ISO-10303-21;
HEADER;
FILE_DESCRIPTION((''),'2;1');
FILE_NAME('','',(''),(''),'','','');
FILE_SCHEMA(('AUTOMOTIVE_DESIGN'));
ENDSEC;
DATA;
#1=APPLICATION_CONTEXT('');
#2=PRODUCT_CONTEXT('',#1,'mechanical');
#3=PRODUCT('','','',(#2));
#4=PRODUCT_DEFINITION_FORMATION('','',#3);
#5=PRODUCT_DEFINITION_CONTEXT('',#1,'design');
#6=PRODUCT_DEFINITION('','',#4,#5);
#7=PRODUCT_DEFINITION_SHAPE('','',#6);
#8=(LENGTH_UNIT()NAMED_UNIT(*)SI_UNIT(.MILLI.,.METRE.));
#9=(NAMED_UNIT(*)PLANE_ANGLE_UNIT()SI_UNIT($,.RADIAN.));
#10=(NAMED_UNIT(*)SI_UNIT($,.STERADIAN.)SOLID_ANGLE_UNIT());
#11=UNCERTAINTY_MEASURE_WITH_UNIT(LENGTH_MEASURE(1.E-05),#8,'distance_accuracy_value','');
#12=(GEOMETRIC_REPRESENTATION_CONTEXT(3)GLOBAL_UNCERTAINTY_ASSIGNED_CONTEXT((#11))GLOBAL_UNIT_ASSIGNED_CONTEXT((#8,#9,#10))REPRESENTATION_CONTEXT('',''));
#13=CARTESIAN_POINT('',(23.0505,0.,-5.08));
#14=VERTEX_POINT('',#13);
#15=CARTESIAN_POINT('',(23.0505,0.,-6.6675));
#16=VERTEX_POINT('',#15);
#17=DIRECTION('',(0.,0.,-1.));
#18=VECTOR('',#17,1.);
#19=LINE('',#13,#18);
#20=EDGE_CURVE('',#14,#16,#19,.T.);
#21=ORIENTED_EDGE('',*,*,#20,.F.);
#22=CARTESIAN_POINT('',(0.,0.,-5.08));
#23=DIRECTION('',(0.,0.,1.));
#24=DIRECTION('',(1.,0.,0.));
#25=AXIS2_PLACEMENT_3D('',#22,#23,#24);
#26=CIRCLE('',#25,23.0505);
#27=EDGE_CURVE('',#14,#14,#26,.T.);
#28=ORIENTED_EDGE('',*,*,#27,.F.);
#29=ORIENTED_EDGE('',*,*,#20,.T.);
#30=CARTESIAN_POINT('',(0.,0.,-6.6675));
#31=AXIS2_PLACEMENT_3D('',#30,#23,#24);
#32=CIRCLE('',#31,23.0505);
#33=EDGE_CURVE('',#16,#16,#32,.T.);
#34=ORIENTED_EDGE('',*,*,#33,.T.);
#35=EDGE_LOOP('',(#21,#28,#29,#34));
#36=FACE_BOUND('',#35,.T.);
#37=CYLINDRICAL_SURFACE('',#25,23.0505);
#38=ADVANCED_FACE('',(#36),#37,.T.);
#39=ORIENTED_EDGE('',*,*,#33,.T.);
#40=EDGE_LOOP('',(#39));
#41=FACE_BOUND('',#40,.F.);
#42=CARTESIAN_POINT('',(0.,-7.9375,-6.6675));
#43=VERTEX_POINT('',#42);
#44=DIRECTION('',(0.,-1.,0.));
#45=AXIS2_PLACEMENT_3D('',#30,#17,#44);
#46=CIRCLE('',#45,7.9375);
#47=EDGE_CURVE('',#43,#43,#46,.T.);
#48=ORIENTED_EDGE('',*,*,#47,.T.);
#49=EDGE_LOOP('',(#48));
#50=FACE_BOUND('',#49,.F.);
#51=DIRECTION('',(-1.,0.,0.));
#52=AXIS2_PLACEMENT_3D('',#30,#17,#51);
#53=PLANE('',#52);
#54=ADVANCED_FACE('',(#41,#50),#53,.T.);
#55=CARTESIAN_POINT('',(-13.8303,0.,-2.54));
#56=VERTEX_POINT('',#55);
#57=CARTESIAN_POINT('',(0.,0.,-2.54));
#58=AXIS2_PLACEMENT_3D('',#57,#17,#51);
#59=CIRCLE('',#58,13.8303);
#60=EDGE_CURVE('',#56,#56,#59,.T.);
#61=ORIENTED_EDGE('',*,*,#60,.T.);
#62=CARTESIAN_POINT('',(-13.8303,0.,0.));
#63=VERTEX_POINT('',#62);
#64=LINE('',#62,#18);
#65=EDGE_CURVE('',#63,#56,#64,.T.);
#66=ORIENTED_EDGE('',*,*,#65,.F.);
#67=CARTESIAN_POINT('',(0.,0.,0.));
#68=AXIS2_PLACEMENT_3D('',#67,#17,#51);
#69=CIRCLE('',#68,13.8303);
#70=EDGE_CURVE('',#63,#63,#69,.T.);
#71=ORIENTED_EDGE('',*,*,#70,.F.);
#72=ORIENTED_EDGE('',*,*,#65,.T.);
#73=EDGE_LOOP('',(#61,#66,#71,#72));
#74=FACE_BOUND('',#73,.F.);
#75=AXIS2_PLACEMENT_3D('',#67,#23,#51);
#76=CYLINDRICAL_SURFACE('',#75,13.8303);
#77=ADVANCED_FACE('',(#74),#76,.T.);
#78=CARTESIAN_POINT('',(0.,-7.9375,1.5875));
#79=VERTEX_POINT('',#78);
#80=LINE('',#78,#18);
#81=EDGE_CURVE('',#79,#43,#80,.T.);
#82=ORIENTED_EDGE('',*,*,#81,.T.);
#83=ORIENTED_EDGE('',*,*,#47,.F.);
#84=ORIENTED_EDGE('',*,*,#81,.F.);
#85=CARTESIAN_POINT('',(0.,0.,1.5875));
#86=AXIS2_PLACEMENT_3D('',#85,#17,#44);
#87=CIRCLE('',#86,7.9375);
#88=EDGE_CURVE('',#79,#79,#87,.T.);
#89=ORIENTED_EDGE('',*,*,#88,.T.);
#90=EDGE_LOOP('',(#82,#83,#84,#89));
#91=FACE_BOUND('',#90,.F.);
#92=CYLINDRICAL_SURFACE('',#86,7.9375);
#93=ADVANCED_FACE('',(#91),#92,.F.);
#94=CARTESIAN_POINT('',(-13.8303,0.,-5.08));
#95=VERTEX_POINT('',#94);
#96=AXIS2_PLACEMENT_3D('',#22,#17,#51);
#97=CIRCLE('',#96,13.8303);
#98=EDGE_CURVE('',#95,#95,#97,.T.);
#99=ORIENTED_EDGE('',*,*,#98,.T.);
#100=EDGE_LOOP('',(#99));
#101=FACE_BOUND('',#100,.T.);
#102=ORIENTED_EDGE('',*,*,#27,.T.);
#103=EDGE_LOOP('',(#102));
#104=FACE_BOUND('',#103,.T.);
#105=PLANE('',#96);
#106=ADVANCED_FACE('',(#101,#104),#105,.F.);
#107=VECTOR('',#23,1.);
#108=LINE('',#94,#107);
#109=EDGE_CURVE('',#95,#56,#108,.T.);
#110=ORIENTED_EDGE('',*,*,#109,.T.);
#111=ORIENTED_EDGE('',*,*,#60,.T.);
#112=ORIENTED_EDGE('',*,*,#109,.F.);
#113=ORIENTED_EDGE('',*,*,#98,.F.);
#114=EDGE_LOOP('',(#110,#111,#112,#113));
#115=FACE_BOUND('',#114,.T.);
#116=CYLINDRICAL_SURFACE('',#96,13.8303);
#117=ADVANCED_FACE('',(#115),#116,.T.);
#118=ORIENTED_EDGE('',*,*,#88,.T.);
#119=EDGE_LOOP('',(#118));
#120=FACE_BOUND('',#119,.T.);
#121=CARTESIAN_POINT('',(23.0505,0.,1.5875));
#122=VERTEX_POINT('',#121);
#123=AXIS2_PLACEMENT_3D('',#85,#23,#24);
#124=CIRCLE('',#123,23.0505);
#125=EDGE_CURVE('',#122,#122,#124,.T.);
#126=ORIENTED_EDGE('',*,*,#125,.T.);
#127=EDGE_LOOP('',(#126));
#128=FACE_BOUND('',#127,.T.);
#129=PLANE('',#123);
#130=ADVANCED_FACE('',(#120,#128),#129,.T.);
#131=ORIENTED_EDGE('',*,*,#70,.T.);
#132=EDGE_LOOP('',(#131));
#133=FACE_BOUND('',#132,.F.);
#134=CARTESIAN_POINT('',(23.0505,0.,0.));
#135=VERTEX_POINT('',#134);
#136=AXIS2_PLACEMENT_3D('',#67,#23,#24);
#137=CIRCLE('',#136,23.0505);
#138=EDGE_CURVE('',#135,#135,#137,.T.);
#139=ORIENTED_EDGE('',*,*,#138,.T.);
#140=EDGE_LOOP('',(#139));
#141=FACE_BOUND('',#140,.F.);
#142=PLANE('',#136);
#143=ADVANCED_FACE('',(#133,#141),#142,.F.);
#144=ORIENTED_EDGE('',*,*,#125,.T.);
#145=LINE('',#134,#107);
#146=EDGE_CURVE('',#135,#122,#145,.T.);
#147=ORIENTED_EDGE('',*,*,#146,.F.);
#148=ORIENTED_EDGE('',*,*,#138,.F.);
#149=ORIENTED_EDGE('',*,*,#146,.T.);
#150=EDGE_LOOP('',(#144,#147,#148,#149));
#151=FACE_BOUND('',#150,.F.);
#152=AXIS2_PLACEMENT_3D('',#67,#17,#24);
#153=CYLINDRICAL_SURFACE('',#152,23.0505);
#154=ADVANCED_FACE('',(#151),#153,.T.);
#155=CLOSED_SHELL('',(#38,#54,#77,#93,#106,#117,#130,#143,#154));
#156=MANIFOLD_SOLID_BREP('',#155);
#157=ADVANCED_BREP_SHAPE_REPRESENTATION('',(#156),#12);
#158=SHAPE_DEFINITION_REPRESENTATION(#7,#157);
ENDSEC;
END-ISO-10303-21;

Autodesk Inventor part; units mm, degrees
ref_plane "YZ Plane" through (0, 0, 0) normal (1, 0, 0) x (0, 1, 0)
ref_plane "XZ Plane" through (0, 0, 0) normal (0, 1, 0) x (-1, 0, 0)
sketch "Sketch1" plane through (0, 0, 0) normal (0, 0, 1) x (1, 0, 0)
  circle A0 centre (0, 0) radius 23.0505
  dimension "d0" = 46.101
extrude "Extrusion1" add sketch "Sketch1" along normal blind 1.5875
sketch "Sketch4" plane through (0, 0, 0) normal (0, 0, -1) x (-1, 0, 0)
  circle A0 centre (0, 0) radius 13.8303
  circle A1 centre (0, 0) radius 23.0505 projected
  dimension "d14" = 27.6606
extrude "Extrusion2" add sketch "Sketch4" along normal blind 2.54 contours A0
ref_plane "Work Plane2" through (0, 0, -2.54) normal (0, 0, -1) x (-1, 0, 0)
mirror "Mirror1" about plane through (0, 0, -2.54) normal (0, 0, -1) of "Extrusion1", "Extrusion2"
sketch "Sketch5" plane through (0, 0, 1.5875) normal (0, 0, 1) x (1, 0, 0)
  point P0 (0, 0)
  point P1 (0, 0)
hole "Hole1" at (0, 0, 1.5875) direction (0, 0, -1) diameter 15.875 end through all
properties part number "CLB_072_ScissorPulley" material "PC/ABS Plastic"
